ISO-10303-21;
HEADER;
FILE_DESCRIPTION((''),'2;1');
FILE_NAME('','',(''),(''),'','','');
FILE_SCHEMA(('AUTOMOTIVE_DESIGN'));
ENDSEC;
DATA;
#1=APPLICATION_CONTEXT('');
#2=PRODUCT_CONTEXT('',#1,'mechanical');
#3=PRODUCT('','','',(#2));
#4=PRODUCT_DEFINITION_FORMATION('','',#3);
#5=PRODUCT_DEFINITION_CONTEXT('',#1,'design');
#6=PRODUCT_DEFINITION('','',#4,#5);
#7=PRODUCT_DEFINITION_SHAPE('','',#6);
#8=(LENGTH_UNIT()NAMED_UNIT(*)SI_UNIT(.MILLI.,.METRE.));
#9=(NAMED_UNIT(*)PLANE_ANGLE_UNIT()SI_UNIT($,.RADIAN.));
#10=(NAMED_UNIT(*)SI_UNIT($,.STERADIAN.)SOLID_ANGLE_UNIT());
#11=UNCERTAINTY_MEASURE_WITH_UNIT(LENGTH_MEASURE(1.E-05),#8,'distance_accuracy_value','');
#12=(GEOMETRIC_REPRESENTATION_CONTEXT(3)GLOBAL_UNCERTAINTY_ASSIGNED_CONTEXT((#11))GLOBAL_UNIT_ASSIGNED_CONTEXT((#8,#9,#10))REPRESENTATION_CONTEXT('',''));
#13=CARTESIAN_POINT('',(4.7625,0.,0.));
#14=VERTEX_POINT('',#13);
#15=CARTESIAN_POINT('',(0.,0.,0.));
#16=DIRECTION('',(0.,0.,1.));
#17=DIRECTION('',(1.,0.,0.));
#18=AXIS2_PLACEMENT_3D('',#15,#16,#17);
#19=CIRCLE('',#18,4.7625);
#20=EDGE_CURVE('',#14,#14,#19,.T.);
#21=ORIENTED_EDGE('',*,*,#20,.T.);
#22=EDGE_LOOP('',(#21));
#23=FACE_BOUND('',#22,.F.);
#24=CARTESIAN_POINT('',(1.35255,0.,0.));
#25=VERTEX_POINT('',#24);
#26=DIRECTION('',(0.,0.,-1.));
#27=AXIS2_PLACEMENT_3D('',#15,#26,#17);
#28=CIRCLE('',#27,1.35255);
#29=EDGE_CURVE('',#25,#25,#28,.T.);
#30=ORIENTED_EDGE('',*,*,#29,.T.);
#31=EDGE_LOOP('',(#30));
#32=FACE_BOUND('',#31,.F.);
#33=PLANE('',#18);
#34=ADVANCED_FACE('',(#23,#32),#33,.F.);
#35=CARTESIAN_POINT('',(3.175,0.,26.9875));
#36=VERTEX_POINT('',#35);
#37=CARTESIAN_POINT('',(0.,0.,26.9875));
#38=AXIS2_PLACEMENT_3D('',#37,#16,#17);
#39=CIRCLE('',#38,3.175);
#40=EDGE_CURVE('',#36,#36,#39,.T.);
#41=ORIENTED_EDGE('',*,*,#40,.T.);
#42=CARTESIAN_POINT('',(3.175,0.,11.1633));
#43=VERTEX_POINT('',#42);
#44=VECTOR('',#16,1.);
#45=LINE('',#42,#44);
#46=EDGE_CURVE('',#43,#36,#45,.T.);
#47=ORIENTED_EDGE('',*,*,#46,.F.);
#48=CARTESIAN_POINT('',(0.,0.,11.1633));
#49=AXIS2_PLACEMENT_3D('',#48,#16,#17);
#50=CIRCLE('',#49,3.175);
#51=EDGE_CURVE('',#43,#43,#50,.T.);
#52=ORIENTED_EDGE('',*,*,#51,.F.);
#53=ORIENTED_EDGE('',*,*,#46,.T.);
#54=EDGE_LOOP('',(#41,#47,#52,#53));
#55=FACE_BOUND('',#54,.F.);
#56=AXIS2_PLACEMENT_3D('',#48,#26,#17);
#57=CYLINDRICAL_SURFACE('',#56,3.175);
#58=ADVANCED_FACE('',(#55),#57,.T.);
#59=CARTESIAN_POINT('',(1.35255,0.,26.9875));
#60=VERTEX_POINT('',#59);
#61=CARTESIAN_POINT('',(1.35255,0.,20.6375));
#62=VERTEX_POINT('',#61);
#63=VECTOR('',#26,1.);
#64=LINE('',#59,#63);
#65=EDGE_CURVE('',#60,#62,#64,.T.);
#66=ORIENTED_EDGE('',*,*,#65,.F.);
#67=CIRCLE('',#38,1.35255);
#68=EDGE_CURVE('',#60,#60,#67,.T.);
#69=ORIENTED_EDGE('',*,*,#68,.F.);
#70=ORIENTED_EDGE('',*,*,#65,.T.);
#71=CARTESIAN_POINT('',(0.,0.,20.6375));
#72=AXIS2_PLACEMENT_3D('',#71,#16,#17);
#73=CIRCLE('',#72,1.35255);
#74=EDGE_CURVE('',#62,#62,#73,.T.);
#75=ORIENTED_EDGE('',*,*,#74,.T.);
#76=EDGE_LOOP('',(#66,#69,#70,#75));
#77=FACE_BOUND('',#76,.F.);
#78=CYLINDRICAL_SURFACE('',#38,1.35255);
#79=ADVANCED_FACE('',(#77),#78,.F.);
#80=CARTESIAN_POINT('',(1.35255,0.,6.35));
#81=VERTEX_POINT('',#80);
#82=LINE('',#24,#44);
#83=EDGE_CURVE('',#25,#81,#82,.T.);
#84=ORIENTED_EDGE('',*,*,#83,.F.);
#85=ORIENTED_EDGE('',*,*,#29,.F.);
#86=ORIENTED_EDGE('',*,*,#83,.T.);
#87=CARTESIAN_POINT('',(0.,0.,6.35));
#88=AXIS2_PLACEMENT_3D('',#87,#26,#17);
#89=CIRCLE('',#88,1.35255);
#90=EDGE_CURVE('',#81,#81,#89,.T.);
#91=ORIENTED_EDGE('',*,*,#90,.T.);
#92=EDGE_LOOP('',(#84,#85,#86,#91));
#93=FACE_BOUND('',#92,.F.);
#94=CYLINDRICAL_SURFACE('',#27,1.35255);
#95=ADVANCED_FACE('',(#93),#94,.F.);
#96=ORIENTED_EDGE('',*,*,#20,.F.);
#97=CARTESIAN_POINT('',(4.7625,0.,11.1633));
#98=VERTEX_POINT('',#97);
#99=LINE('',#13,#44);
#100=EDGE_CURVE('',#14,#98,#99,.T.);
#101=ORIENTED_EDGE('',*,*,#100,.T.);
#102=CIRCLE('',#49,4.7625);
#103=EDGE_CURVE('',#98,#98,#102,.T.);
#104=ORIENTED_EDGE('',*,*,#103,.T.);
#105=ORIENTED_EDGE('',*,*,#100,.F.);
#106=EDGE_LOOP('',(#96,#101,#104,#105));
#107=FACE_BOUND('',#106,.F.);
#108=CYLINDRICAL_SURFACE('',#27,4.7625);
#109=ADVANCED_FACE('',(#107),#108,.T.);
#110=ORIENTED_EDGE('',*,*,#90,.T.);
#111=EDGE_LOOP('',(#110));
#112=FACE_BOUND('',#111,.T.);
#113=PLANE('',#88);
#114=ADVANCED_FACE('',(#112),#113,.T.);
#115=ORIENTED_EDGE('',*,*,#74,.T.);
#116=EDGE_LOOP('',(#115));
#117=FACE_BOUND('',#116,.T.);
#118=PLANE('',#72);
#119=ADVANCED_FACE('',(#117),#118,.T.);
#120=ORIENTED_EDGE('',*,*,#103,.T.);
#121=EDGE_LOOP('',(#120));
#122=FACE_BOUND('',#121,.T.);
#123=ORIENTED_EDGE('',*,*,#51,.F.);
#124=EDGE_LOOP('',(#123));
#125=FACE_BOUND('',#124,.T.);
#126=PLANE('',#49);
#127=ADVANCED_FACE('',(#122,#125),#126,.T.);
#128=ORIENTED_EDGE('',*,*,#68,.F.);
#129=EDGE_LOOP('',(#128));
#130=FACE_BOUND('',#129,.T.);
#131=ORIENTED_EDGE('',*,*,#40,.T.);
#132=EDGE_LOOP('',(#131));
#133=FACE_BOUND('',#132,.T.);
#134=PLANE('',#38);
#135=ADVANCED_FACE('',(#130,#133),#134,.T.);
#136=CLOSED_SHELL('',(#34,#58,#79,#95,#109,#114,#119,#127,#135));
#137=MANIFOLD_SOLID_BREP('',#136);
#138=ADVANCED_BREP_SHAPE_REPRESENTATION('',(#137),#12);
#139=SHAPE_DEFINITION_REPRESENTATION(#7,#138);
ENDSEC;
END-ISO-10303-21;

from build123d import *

# Parameters (mm, degrees)
F0_R     = 4.7625
F1_DEPTH = 11.1633
F2_R     = 3.175
F3_DEPTH = 15.8242
F4_R     = 1.35255
F5_DEPTH = 6.35
F6_R     = 1.35255
F7_DEPTH = 6.35


with BuildPart() as f1:
    # F0 (on Top) → F1 (new body)
    with BuildSketch(Plane.XY):
        Circle(F0_R)
    extrude(amount=F1_DEPTH)

    # F2 (on face) → F3 (join)
    with BuildSketch(Plane.XY.offset(11.1633)):
        Circle(F2_R)
    extrude(amount=F3_DEPTH)

    # F4 (on face) → F5 (cut)
    with BuildSketch(Plane(origin=(0, 0, 0), x_dir=(1, 0, 0), z_dir=(0, 0, -1))):
        Circle(F4_R)
    extrude(amount=-F5_DEPTH, mode=Mode.SUBTRACT)

    # F6 (on face) → F7 (cut)
    with BuildSketch(Plane.XY.offset(26.9875)):
        Circle(F6_R)
    extrude(amount=-F7_DEPTH, mode=Mode.SUBTRACT)


solid = f1.part
